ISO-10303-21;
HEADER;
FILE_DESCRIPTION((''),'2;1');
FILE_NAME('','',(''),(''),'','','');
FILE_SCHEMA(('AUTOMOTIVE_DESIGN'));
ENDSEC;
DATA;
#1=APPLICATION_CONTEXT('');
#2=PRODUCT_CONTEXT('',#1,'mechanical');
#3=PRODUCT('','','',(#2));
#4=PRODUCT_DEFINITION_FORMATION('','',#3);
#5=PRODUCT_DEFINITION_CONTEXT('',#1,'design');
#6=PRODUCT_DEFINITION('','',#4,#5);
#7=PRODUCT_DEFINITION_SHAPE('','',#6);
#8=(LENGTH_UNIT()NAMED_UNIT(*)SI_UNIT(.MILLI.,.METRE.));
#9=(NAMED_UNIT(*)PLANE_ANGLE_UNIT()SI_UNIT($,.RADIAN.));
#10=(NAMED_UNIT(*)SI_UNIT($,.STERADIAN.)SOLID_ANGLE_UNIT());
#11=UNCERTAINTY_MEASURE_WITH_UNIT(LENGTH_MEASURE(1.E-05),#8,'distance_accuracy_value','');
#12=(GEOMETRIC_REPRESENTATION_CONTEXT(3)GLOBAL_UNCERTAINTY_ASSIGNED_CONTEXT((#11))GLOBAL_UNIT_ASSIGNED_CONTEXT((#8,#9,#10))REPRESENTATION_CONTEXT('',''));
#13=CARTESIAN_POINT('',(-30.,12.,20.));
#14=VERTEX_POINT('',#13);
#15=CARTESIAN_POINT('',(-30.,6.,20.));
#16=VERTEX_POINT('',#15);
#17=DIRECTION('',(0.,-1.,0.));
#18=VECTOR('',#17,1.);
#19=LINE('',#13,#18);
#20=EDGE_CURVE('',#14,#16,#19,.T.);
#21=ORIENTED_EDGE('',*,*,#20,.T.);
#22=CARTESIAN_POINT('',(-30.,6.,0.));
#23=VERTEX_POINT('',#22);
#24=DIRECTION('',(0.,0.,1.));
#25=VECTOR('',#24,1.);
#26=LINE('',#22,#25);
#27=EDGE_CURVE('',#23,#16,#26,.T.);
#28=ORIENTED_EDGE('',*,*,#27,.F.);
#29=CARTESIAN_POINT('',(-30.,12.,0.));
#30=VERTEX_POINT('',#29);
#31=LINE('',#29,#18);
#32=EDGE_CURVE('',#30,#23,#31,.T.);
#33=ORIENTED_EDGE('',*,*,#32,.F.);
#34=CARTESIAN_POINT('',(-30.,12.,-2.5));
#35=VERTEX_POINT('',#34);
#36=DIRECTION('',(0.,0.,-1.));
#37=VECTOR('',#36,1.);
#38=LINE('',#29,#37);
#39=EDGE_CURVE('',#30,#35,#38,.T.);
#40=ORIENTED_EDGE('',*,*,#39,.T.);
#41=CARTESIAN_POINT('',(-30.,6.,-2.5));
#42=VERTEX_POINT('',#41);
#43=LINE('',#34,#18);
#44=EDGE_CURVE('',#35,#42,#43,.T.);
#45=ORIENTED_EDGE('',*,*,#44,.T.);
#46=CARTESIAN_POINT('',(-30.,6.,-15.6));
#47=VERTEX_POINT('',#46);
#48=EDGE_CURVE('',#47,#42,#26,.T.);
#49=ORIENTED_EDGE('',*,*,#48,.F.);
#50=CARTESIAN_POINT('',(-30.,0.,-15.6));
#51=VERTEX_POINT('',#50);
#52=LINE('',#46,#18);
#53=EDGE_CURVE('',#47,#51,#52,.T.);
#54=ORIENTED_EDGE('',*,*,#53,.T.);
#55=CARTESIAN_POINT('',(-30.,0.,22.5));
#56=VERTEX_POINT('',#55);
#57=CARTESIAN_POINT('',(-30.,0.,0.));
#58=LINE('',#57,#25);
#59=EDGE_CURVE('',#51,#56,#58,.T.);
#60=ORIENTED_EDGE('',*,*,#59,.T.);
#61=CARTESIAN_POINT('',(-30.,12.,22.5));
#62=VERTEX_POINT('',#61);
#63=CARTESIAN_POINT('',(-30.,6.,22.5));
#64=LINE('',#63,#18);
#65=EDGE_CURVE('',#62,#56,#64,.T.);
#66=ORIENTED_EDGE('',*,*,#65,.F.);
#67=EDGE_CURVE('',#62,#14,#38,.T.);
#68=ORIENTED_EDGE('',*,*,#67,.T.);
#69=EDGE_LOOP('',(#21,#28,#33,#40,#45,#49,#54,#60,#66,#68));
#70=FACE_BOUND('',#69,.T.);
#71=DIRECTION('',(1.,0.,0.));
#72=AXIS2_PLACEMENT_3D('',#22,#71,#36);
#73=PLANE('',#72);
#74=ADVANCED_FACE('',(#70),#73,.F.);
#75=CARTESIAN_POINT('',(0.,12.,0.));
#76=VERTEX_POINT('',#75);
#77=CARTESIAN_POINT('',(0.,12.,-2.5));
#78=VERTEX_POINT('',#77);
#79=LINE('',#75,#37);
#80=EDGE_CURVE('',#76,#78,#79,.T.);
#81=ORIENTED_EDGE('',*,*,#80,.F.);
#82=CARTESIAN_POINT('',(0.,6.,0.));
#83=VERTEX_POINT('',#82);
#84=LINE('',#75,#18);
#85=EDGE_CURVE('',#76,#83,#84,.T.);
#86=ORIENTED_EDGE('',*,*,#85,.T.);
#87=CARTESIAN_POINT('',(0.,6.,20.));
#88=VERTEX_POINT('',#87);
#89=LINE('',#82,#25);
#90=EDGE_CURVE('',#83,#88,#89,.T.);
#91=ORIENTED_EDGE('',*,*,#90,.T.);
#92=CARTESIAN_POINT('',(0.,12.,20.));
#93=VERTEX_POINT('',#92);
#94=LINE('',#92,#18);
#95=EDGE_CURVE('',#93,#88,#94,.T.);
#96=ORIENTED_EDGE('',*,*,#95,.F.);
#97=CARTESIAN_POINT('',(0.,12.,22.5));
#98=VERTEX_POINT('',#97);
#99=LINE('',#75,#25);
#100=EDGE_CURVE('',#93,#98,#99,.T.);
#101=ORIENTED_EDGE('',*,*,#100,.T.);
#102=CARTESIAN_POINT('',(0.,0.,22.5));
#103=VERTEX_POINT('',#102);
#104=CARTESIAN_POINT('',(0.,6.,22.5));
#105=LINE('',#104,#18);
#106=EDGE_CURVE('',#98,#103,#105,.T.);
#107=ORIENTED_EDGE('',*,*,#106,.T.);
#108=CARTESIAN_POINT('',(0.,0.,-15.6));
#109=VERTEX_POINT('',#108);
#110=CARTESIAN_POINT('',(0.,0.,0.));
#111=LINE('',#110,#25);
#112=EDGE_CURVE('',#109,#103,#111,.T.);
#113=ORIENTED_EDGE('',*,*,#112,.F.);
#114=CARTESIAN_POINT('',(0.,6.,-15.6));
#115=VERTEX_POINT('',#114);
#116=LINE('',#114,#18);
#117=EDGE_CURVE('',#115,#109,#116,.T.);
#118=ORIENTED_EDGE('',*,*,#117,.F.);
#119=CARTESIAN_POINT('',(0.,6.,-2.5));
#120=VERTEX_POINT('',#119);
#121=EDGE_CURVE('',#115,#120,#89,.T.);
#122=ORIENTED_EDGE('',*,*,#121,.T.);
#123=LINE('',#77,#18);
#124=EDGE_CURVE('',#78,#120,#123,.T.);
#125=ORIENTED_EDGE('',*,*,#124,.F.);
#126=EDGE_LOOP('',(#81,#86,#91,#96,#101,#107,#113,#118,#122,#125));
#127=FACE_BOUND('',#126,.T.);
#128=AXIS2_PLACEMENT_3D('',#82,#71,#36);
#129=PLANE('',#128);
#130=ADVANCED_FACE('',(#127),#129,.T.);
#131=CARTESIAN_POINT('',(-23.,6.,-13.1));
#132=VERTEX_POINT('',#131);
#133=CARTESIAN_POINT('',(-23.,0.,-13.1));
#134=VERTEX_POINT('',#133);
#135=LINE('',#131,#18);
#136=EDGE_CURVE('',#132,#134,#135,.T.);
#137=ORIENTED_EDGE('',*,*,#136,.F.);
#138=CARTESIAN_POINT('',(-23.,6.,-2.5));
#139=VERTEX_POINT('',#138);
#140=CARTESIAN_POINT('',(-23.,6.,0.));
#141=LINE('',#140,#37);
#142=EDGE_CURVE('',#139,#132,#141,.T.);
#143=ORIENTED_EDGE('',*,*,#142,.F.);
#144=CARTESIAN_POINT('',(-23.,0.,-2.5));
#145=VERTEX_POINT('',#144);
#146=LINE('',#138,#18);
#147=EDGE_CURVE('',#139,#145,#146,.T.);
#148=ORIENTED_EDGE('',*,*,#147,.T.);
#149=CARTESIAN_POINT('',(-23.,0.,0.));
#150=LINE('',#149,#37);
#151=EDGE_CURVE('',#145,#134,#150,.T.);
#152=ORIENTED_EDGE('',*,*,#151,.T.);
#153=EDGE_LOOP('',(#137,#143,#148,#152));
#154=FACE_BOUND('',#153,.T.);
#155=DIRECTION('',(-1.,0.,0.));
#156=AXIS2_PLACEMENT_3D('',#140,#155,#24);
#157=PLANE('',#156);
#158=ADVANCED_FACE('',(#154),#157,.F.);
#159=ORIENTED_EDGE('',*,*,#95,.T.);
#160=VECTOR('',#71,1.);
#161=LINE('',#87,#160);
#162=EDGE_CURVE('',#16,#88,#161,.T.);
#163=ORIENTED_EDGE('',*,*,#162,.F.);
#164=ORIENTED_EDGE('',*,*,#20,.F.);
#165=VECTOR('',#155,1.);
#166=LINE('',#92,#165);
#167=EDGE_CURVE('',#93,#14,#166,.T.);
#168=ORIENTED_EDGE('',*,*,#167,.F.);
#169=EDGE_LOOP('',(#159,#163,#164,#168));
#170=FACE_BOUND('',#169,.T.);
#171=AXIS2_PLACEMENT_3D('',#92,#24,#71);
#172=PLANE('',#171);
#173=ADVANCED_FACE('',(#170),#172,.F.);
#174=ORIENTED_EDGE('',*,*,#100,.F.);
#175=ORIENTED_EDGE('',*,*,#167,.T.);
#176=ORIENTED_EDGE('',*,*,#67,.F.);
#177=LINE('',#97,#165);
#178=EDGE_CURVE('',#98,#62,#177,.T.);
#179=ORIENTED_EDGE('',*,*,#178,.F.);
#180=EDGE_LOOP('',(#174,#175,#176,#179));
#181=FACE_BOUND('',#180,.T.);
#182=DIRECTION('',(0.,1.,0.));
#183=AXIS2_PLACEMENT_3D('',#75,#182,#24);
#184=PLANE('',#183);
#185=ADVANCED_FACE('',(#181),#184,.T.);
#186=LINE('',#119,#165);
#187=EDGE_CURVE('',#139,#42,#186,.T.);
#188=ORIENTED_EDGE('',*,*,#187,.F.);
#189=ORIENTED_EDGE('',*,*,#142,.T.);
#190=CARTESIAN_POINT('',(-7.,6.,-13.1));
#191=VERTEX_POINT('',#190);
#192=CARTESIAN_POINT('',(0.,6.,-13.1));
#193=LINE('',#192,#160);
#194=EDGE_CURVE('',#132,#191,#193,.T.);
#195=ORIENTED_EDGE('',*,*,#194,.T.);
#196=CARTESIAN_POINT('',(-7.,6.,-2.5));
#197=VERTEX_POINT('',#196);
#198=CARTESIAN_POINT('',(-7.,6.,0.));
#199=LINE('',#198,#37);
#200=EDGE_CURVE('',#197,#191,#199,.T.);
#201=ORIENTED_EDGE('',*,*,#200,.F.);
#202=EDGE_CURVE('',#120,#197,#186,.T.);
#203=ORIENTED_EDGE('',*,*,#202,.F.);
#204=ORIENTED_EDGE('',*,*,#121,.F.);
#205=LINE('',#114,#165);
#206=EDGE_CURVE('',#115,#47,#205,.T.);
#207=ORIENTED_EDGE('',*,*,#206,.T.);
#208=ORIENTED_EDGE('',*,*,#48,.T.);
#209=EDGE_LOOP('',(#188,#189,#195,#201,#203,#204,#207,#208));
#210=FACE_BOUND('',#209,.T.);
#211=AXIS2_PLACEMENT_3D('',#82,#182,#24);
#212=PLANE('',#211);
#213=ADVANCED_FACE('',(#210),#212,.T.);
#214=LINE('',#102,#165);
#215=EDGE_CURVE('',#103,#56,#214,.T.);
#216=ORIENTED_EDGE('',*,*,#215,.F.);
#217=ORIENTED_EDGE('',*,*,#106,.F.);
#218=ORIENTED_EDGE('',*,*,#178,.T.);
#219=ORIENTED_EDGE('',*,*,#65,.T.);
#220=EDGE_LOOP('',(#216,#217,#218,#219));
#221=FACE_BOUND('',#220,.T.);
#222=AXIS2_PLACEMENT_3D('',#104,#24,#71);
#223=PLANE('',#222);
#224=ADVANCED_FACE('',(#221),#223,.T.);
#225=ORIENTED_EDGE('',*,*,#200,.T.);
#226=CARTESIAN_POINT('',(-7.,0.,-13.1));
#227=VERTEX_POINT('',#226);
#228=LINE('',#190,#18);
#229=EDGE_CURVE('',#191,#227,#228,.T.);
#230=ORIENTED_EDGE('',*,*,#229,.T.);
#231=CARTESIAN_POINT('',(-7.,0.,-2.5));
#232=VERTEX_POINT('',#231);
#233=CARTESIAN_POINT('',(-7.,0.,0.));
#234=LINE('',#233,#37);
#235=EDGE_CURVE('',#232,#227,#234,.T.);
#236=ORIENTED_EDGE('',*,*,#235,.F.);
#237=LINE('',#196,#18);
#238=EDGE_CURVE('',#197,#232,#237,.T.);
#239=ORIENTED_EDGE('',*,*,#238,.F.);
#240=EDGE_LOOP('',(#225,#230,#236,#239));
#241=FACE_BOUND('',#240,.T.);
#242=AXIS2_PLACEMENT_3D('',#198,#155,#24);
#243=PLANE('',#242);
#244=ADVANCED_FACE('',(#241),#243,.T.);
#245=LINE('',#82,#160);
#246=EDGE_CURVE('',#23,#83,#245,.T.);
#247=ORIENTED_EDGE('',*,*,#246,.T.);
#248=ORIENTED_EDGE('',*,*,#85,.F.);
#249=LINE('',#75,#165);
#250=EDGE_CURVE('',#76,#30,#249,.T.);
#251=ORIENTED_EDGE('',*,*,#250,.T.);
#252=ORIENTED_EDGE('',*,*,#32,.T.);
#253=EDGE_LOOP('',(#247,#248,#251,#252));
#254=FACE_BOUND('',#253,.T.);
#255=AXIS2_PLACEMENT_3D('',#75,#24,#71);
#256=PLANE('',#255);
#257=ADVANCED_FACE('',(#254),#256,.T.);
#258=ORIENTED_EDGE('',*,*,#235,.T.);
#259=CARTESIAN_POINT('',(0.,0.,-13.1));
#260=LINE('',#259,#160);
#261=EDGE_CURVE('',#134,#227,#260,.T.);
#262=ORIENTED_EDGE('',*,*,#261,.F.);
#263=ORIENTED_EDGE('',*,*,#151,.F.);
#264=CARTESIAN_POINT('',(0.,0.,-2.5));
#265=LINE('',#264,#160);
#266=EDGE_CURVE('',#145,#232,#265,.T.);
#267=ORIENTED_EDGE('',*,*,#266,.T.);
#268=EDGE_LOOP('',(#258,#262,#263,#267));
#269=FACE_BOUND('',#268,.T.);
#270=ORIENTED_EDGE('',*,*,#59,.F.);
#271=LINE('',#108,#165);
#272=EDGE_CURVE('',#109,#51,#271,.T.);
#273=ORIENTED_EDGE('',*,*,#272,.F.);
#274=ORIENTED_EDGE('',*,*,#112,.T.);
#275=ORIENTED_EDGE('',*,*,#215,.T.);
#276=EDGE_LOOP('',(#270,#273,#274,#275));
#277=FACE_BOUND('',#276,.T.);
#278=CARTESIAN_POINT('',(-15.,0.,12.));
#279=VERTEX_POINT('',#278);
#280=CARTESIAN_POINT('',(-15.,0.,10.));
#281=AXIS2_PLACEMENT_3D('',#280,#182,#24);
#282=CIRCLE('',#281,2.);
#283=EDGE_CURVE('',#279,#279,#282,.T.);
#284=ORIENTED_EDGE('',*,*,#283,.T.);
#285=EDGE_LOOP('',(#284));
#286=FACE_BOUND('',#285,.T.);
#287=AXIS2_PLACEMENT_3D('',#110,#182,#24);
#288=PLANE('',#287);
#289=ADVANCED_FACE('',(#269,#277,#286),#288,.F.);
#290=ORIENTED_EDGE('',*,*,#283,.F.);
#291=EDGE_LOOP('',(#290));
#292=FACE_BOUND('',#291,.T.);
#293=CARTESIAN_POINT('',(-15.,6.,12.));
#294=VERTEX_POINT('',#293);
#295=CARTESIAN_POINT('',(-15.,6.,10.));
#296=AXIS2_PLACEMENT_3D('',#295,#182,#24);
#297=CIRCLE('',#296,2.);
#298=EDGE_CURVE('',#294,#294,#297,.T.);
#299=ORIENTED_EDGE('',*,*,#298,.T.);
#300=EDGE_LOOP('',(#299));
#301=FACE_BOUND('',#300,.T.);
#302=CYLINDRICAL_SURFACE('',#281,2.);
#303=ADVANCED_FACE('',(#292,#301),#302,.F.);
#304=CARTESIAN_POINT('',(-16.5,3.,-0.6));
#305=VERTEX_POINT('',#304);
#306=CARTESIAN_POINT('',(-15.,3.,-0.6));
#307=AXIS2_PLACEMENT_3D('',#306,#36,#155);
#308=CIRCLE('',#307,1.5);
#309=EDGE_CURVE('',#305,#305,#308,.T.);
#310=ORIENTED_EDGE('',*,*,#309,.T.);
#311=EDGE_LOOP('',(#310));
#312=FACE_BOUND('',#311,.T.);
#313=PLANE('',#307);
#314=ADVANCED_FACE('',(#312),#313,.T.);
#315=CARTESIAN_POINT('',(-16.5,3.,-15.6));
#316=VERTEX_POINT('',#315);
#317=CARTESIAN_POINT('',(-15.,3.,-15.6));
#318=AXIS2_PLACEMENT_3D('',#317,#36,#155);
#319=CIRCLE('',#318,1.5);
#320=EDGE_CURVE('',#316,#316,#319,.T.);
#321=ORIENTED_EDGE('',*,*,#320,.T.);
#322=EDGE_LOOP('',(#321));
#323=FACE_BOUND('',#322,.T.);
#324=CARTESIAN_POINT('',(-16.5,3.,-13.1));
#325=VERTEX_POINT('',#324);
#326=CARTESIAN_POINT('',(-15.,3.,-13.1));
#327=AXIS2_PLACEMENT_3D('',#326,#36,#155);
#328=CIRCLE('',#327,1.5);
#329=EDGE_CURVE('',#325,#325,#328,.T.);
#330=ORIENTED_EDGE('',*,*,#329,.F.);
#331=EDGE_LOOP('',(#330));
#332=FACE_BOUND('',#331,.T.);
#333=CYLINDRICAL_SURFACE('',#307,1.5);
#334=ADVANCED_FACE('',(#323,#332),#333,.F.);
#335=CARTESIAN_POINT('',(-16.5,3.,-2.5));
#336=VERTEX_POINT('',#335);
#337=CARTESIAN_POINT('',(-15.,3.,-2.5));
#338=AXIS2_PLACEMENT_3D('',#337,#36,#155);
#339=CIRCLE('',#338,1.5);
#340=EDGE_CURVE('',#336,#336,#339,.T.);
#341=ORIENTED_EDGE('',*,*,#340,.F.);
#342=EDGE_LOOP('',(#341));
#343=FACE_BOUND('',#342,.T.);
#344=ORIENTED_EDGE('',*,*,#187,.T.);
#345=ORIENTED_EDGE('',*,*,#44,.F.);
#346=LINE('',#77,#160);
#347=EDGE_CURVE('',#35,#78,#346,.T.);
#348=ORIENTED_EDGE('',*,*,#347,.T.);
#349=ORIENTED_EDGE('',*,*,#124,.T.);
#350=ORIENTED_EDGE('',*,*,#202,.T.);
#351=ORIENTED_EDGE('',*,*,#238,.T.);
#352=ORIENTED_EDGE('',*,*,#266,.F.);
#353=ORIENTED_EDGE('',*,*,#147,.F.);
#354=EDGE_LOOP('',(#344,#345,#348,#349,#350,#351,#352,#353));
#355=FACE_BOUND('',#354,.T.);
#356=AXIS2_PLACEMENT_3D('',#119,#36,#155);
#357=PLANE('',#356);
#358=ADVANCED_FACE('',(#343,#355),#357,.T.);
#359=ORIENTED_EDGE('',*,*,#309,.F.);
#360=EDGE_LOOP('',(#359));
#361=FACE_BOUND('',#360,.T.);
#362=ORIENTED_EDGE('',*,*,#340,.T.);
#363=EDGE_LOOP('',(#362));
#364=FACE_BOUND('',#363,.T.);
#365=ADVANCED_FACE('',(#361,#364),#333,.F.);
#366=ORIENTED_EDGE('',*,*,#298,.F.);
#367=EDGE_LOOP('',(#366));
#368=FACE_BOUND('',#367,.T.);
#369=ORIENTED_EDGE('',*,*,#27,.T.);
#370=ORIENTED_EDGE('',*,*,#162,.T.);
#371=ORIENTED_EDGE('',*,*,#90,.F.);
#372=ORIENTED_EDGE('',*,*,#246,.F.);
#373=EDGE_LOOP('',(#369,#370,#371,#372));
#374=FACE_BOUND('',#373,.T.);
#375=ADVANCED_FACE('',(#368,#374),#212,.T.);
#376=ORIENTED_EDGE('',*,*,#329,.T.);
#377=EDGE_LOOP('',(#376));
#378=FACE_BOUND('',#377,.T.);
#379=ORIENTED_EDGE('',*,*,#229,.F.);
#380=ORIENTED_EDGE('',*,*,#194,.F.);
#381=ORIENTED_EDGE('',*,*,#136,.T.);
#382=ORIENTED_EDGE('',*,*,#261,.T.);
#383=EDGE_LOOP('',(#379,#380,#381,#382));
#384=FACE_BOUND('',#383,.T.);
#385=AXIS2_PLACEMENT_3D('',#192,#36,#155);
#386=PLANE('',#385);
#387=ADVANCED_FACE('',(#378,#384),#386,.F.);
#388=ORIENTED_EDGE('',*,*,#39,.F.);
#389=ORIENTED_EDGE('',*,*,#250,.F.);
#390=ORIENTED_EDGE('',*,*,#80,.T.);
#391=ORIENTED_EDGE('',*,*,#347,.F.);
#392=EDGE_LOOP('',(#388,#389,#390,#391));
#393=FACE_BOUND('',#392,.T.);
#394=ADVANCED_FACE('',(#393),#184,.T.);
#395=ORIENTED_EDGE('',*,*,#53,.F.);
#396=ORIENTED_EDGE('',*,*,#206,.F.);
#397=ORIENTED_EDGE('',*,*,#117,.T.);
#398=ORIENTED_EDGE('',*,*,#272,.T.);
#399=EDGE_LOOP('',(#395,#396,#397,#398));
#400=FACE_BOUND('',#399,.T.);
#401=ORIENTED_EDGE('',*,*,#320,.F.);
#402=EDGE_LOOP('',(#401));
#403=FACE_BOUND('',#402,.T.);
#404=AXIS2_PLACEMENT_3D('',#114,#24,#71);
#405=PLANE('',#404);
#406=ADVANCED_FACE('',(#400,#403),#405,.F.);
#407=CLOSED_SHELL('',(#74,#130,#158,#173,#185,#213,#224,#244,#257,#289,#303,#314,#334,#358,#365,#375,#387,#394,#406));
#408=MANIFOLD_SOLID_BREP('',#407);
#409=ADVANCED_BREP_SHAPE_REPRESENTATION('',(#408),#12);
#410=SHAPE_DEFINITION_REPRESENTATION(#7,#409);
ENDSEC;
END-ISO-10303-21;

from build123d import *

# Parameters (mm, degrees)
SKETCH1_W           = 30
SKETCH1_H           = 38.1
SKETCH1_W_2         = 16
SKETCH1_H_2         = 10.6
BOSS_EXTRUDE1_DEPTH = 6
SKETCH1_3_W         = 30
SKETCH1_3_H         = 2.5
BOSS_EXTRUDE2_DEPTH = 12
SKETCH3_R           = 1.5
CUT_EXTRUDE2_DEPTH  = 15
SKETCH2_R           = 2
CUT_EXTRUDE1_DEPTH  = 38.976966704


with BuildPart() as part:
    # Sketch1 → Boss-Extrude1 (new body)
    with BuildSketch(Plane(origin=(0, 0, 0), x_dir=(1, 0, 0), z_dir=(0, 1, 0))):
        with Locations((-15, -3.45)):
            Rectangle(SKETCH1_W, SKETCH1_H)
        with Locations((-15, 7.8)):
            Rectangle(SKETCH1_W_2, SKETCH1_H_2, mode=Mode.SUBTRACT)
    extrude(amount=BOSS_EXTRUDE1_DEPTH)

    # Sketch1<3> → Boss-Extrude2 (add)
    with BuildSketch(Plane(origin=(0, 0, 0), x_dir=(1, 0, 0), z_dir=(0, 1, 0))):
        with Locations((-15, -21.25)):
            Rectangle(SKETCH1_3_W, SKETCH1_3_H)
        with Locations((-15, 1.25)):
            Rectangle(SKETCH1_3_W, SKETCH1_3_H)
    extrude(amount=BOSS_EXTRUDE2_DEPTH)

    # Sketch3 → Cut-Extrude2 (cut)
    with BuildSketch(Plane(origin=(0, 0, -15.6), x_dir=(-1, 0, 0), z_dir=(0, 0, -1))):
        with Locations((15, 3)):
            Circle(SKETCH3_R)
    extrude(amount=-CUT_EXTRUDE2_DEPTH, mode=Mode.SUBTRACT)

    # Sketch2 → Cut-Extrude1 (cut, through all)
    with BuildSketch(Plane(origin=(0, 6, 0), x_dir=(1, 0, 0), z_dir=(0, 1, 0))):
        with Locations((-15, -10)):
            Circle(SKETCH2_R)
    extrude(amount=-CUT_EXTRUDE1_DEPTH, mode=Mode.SUBTRACT)


solid = part.part
